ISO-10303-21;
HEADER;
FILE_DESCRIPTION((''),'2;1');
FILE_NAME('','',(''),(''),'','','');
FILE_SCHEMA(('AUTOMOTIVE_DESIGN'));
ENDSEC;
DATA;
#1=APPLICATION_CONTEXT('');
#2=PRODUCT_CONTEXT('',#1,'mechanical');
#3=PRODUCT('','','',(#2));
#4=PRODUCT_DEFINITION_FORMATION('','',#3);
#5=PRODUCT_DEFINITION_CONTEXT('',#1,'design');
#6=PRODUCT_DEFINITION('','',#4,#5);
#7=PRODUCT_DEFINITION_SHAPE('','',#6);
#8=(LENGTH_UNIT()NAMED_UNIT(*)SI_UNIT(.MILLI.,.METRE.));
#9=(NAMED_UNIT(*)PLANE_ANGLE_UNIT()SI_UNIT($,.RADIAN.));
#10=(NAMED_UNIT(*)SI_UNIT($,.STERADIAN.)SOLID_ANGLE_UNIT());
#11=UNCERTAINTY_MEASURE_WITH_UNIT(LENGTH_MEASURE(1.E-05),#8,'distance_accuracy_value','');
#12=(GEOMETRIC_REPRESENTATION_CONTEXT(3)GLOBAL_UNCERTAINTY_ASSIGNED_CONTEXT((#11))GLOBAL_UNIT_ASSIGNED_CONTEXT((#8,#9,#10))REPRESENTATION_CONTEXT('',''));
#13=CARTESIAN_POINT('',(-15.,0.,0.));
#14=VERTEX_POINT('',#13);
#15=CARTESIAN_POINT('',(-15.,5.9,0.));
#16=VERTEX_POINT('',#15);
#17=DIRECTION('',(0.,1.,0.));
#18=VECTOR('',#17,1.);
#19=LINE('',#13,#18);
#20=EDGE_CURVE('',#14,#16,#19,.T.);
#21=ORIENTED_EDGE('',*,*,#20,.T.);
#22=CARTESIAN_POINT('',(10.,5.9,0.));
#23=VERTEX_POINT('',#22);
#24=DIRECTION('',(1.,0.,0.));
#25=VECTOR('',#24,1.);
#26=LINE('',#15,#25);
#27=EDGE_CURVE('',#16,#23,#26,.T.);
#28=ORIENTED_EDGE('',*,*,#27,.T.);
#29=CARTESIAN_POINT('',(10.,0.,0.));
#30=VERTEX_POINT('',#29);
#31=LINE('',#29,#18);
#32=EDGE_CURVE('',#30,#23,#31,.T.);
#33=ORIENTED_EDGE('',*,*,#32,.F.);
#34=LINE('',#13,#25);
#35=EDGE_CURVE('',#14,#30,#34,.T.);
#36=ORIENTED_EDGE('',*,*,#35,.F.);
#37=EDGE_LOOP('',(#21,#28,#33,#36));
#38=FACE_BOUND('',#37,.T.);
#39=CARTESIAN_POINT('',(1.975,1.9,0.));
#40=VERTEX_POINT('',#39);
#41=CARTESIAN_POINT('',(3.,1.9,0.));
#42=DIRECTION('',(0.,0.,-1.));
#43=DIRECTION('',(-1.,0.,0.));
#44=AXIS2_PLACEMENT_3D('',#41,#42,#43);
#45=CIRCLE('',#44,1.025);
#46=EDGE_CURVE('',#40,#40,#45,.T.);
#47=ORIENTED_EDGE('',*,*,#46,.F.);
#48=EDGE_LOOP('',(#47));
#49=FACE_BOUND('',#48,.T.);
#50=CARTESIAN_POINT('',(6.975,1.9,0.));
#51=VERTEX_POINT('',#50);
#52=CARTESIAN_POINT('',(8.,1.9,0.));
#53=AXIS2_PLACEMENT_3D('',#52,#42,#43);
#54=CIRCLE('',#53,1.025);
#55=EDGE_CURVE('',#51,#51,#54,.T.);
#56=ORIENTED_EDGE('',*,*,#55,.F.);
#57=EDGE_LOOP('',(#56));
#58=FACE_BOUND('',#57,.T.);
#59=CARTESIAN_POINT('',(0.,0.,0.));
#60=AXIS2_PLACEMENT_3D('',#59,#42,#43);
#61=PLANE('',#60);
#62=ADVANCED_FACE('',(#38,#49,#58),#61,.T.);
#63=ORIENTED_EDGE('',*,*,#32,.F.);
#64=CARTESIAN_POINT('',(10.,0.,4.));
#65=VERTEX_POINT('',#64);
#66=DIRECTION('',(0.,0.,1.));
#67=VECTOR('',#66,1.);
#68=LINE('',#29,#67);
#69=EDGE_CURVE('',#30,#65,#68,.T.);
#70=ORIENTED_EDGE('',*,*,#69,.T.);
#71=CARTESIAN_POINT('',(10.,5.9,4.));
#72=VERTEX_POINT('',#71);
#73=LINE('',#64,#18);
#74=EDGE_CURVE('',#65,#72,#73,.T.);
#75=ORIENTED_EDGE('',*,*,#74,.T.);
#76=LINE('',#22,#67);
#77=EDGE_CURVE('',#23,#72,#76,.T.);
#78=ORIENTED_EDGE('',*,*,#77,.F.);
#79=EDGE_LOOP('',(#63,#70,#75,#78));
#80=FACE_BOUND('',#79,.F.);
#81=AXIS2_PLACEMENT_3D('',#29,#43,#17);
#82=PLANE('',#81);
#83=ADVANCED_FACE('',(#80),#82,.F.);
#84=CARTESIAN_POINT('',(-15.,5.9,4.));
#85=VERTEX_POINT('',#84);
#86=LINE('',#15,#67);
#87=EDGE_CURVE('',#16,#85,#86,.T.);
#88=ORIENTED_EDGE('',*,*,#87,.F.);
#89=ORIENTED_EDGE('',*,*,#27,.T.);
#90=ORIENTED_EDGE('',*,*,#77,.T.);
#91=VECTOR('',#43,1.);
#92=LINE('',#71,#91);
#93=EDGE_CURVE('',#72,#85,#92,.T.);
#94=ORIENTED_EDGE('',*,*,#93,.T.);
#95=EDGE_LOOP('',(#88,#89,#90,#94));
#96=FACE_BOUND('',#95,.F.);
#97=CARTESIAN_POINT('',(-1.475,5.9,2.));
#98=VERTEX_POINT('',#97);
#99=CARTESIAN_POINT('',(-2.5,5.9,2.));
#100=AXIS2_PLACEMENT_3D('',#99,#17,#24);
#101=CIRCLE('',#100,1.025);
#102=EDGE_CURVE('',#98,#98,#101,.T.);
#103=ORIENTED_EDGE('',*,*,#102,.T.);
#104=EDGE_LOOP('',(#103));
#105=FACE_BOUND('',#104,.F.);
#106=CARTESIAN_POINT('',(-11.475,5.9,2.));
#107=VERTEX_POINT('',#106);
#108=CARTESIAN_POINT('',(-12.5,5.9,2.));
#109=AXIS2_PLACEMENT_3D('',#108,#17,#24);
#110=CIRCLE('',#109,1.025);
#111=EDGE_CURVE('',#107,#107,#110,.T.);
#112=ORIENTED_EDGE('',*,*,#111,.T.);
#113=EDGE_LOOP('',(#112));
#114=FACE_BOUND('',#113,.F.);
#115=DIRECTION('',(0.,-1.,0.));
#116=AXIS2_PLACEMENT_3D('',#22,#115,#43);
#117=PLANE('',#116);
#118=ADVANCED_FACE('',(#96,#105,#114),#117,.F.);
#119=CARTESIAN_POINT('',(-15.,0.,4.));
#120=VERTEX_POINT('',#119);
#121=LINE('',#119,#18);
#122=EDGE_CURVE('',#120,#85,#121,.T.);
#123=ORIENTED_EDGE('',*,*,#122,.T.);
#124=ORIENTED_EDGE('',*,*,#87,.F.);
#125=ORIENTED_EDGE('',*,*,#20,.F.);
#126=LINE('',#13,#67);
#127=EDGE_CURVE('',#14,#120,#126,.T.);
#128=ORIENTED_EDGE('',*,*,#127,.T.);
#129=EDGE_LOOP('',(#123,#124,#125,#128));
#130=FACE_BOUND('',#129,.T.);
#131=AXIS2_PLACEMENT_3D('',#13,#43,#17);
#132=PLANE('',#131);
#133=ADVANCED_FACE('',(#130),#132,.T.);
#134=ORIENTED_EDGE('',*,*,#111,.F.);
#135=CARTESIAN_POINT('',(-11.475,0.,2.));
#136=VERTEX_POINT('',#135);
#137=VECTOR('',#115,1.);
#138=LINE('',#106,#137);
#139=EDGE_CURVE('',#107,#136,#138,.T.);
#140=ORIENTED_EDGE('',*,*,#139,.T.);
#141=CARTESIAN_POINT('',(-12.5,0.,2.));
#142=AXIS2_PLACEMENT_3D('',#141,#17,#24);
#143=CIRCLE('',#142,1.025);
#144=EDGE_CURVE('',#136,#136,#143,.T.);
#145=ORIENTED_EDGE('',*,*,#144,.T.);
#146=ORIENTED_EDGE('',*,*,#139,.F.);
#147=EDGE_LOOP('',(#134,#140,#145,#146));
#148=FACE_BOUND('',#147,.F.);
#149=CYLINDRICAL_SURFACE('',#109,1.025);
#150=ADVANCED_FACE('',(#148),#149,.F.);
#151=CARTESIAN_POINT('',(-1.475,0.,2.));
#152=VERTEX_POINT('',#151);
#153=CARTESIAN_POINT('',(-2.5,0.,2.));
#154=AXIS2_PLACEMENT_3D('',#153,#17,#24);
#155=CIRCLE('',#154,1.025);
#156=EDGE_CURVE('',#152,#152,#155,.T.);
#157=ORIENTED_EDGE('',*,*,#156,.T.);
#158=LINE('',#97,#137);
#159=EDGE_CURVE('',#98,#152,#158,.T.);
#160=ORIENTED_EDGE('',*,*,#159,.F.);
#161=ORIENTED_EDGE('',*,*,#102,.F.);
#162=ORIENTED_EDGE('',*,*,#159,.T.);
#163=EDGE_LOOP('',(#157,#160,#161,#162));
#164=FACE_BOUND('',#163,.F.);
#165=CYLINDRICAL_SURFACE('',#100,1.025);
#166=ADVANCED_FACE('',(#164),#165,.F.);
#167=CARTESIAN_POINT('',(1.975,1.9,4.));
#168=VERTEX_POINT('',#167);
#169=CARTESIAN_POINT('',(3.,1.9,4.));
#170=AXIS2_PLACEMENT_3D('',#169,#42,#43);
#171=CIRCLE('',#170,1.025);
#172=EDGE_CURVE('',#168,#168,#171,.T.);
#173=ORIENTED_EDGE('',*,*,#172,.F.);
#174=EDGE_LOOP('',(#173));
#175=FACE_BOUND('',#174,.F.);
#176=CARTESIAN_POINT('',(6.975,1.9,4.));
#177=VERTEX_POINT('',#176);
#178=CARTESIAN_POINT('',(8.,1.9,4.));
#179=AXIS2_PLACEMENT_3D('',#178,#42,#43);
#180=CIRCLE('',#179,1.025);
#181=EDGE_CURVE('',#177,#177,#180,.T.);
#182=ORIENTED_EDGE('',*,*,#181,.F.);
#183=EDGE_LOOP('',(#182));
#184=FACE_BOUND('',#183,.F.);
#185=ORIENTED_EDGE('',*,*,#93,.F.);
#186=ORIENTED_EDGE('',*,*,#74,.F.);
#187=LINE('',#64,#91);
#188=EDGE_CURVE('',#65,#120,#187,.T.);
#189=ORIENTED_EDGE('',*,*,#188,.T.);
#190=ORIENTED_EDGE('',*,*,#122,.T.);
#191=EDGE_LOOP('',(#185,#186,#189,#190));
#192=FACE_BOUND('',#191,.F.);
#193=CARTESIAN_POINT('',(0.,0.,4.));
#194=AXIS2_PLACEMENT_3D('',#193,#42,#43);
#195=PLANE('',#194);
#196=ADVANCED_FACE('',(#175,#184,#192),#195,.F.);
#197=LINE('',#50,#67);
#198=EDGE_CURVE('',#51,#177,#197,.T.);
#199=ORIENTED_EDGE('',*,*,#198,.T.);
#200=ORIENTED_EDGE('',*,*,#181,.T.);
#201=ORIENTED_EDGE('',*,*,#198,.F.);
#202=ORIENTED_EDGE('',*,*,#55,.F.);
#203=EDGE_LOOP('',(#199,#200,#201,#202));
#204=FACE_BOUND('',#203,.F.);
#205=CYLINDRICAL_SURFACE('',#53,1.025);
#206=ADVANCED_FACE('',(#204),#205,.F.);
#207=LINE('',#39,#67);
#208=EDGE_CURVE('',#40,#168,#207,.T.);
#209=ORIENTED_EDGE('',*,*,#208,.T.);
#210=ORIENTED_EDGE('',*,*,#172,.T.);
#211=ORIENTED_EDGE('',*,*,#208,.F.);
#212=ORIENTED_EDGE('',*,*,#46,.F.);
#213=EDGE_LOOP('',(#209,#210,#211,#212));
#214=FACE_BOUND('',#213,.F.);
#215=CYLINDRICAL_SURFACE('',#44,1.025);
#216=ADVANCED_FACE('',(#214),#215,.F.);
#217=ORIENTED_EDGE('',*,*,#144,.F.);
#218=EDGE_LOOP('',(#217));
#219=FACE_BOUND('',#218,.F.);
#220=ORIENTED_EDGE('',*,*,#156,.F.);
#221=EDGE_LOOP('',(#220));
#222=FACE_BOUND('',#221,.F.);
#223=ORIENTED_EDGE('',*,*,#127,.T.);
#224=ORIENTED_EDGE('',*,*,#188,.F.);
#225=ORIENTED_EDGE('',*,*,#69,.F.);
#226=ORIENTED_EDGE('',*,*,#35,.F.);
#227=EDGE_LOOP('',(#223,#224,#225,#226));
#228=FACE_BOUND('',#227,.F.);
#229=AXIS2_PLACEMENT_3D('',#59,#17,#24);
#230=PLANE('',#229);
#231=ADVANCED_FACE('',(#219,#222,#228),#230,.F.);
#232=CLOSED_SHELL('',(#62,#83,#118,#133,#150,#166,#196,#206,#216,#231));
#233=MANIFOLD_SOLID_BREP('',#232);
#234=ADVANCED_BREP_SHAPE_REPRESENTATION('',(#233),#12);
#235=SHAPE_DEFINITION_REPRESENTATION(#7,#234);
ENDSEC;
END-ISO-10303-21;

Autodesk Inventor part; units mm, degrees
ref_plane "YZ Plane" through (0, 0, 0) normal (1, 0, 0) x (0, 1, 0)
ref_plane "XZ Plane" through (0, 0, 0) normal (0, 1, 0) x (-1, 0, 0)
ref_plane "XY Plane" through (0, 0, 0) normal (0, 0, 1) x (1, 0, 0)
sketch "Sketch1" plane through (0, 0, 0) normal (0, 0, 1) x (1, 0, 0)
  line L0 (0, 0) -> (-15, 0)
  line L1 (-15, 0) -> (-15, 5.9)
  line L2 (-15, 5.9) -> (0, 5.9)
  line L3 (0, 5.9) -> (0, 0)
  dimension "d0" = 5.9
  dimension "d1" = 15
extrude "Extrusion1" add sketch "Sketch1" along normal blind 4
sketch "Sketch2" plane through (-15, 5.9, 0) normal (0, 1, 0) x (1, 0, 0)
  circle A0 centre (12.5, -2) radius 1.025
  circle A1 centre (2.5, -2) radius 1.025
  line L0 (15, 0) -> (15, -4) projected
  line L1 (15, -4) -> (0, -4) projected
  dimension "d4" = 10
  dimension "d5" = 2.5
  dimension "d6" = 2
  dimension "d7" = 2
  dimension "d8" = 2.05
  dimension "d9" = 2.05
extrude "Extrusion2" cut sketch "Sketch2" against normal blind 8
sketch "Sketch3" plane through (0, 0, 0) normal (0, 0, -1) x (-1, 0, 0)
  line L0 (0, 0) -> (0, 5.9) projected
  line L1 (0, 0) -> (-10, 0)
  line L2 (-10, 0) -> (-10, 5.9)
  line L3 (-10, 5.9) -> (0, 5.9)
  line L4 (0, 5.9) -> (0, 0)
  dimension "d12" = 10
extrude "Extrusion3" add sketch "Sketch3" against normal blind 4
sketch "Sketch4" plane through (0, 0, 0) normal (0, 0, -1) x (-1, 0, 0)
  line L0 (3.525, 5.9) -> (3.525, 0) projected
  line L1 (1.475, 5.9) -> (1.475, 0) projected
  circle A0 centre (-3, 1.9) radius 1.025
  circle A1 centre (-8, 1.9) radius 1.025
  line L2 (-10, 5.9) -> (15, 5.9) projected
  line L3 (15, 0) -> (-10, 0) projected
  line L4 (-10, 5.9) -> (-10, 0) projected
  point P0 (0, 0)
  dimension "d15" = 2.05
  dimension "d16" = 5.9
  dimension "d17" = 4
  dimension "d18" = 4
  dimension "d19" = 5
  dimension "d20" = 2
  dimension "d21" = 2.05
  dimension "d22" = 2.05
extrude "Extrusion4" cut sketch "Sketch4" against normal blind 4 contours A0 | A1
equation "\"d7\" = d6"
equation "\"d18\" = d17"
equation "\"d21\" = d15"
equation "\"d22\" = d15"
properties part number "AngleScrewBlocActuator" material "Stainless Steel"
